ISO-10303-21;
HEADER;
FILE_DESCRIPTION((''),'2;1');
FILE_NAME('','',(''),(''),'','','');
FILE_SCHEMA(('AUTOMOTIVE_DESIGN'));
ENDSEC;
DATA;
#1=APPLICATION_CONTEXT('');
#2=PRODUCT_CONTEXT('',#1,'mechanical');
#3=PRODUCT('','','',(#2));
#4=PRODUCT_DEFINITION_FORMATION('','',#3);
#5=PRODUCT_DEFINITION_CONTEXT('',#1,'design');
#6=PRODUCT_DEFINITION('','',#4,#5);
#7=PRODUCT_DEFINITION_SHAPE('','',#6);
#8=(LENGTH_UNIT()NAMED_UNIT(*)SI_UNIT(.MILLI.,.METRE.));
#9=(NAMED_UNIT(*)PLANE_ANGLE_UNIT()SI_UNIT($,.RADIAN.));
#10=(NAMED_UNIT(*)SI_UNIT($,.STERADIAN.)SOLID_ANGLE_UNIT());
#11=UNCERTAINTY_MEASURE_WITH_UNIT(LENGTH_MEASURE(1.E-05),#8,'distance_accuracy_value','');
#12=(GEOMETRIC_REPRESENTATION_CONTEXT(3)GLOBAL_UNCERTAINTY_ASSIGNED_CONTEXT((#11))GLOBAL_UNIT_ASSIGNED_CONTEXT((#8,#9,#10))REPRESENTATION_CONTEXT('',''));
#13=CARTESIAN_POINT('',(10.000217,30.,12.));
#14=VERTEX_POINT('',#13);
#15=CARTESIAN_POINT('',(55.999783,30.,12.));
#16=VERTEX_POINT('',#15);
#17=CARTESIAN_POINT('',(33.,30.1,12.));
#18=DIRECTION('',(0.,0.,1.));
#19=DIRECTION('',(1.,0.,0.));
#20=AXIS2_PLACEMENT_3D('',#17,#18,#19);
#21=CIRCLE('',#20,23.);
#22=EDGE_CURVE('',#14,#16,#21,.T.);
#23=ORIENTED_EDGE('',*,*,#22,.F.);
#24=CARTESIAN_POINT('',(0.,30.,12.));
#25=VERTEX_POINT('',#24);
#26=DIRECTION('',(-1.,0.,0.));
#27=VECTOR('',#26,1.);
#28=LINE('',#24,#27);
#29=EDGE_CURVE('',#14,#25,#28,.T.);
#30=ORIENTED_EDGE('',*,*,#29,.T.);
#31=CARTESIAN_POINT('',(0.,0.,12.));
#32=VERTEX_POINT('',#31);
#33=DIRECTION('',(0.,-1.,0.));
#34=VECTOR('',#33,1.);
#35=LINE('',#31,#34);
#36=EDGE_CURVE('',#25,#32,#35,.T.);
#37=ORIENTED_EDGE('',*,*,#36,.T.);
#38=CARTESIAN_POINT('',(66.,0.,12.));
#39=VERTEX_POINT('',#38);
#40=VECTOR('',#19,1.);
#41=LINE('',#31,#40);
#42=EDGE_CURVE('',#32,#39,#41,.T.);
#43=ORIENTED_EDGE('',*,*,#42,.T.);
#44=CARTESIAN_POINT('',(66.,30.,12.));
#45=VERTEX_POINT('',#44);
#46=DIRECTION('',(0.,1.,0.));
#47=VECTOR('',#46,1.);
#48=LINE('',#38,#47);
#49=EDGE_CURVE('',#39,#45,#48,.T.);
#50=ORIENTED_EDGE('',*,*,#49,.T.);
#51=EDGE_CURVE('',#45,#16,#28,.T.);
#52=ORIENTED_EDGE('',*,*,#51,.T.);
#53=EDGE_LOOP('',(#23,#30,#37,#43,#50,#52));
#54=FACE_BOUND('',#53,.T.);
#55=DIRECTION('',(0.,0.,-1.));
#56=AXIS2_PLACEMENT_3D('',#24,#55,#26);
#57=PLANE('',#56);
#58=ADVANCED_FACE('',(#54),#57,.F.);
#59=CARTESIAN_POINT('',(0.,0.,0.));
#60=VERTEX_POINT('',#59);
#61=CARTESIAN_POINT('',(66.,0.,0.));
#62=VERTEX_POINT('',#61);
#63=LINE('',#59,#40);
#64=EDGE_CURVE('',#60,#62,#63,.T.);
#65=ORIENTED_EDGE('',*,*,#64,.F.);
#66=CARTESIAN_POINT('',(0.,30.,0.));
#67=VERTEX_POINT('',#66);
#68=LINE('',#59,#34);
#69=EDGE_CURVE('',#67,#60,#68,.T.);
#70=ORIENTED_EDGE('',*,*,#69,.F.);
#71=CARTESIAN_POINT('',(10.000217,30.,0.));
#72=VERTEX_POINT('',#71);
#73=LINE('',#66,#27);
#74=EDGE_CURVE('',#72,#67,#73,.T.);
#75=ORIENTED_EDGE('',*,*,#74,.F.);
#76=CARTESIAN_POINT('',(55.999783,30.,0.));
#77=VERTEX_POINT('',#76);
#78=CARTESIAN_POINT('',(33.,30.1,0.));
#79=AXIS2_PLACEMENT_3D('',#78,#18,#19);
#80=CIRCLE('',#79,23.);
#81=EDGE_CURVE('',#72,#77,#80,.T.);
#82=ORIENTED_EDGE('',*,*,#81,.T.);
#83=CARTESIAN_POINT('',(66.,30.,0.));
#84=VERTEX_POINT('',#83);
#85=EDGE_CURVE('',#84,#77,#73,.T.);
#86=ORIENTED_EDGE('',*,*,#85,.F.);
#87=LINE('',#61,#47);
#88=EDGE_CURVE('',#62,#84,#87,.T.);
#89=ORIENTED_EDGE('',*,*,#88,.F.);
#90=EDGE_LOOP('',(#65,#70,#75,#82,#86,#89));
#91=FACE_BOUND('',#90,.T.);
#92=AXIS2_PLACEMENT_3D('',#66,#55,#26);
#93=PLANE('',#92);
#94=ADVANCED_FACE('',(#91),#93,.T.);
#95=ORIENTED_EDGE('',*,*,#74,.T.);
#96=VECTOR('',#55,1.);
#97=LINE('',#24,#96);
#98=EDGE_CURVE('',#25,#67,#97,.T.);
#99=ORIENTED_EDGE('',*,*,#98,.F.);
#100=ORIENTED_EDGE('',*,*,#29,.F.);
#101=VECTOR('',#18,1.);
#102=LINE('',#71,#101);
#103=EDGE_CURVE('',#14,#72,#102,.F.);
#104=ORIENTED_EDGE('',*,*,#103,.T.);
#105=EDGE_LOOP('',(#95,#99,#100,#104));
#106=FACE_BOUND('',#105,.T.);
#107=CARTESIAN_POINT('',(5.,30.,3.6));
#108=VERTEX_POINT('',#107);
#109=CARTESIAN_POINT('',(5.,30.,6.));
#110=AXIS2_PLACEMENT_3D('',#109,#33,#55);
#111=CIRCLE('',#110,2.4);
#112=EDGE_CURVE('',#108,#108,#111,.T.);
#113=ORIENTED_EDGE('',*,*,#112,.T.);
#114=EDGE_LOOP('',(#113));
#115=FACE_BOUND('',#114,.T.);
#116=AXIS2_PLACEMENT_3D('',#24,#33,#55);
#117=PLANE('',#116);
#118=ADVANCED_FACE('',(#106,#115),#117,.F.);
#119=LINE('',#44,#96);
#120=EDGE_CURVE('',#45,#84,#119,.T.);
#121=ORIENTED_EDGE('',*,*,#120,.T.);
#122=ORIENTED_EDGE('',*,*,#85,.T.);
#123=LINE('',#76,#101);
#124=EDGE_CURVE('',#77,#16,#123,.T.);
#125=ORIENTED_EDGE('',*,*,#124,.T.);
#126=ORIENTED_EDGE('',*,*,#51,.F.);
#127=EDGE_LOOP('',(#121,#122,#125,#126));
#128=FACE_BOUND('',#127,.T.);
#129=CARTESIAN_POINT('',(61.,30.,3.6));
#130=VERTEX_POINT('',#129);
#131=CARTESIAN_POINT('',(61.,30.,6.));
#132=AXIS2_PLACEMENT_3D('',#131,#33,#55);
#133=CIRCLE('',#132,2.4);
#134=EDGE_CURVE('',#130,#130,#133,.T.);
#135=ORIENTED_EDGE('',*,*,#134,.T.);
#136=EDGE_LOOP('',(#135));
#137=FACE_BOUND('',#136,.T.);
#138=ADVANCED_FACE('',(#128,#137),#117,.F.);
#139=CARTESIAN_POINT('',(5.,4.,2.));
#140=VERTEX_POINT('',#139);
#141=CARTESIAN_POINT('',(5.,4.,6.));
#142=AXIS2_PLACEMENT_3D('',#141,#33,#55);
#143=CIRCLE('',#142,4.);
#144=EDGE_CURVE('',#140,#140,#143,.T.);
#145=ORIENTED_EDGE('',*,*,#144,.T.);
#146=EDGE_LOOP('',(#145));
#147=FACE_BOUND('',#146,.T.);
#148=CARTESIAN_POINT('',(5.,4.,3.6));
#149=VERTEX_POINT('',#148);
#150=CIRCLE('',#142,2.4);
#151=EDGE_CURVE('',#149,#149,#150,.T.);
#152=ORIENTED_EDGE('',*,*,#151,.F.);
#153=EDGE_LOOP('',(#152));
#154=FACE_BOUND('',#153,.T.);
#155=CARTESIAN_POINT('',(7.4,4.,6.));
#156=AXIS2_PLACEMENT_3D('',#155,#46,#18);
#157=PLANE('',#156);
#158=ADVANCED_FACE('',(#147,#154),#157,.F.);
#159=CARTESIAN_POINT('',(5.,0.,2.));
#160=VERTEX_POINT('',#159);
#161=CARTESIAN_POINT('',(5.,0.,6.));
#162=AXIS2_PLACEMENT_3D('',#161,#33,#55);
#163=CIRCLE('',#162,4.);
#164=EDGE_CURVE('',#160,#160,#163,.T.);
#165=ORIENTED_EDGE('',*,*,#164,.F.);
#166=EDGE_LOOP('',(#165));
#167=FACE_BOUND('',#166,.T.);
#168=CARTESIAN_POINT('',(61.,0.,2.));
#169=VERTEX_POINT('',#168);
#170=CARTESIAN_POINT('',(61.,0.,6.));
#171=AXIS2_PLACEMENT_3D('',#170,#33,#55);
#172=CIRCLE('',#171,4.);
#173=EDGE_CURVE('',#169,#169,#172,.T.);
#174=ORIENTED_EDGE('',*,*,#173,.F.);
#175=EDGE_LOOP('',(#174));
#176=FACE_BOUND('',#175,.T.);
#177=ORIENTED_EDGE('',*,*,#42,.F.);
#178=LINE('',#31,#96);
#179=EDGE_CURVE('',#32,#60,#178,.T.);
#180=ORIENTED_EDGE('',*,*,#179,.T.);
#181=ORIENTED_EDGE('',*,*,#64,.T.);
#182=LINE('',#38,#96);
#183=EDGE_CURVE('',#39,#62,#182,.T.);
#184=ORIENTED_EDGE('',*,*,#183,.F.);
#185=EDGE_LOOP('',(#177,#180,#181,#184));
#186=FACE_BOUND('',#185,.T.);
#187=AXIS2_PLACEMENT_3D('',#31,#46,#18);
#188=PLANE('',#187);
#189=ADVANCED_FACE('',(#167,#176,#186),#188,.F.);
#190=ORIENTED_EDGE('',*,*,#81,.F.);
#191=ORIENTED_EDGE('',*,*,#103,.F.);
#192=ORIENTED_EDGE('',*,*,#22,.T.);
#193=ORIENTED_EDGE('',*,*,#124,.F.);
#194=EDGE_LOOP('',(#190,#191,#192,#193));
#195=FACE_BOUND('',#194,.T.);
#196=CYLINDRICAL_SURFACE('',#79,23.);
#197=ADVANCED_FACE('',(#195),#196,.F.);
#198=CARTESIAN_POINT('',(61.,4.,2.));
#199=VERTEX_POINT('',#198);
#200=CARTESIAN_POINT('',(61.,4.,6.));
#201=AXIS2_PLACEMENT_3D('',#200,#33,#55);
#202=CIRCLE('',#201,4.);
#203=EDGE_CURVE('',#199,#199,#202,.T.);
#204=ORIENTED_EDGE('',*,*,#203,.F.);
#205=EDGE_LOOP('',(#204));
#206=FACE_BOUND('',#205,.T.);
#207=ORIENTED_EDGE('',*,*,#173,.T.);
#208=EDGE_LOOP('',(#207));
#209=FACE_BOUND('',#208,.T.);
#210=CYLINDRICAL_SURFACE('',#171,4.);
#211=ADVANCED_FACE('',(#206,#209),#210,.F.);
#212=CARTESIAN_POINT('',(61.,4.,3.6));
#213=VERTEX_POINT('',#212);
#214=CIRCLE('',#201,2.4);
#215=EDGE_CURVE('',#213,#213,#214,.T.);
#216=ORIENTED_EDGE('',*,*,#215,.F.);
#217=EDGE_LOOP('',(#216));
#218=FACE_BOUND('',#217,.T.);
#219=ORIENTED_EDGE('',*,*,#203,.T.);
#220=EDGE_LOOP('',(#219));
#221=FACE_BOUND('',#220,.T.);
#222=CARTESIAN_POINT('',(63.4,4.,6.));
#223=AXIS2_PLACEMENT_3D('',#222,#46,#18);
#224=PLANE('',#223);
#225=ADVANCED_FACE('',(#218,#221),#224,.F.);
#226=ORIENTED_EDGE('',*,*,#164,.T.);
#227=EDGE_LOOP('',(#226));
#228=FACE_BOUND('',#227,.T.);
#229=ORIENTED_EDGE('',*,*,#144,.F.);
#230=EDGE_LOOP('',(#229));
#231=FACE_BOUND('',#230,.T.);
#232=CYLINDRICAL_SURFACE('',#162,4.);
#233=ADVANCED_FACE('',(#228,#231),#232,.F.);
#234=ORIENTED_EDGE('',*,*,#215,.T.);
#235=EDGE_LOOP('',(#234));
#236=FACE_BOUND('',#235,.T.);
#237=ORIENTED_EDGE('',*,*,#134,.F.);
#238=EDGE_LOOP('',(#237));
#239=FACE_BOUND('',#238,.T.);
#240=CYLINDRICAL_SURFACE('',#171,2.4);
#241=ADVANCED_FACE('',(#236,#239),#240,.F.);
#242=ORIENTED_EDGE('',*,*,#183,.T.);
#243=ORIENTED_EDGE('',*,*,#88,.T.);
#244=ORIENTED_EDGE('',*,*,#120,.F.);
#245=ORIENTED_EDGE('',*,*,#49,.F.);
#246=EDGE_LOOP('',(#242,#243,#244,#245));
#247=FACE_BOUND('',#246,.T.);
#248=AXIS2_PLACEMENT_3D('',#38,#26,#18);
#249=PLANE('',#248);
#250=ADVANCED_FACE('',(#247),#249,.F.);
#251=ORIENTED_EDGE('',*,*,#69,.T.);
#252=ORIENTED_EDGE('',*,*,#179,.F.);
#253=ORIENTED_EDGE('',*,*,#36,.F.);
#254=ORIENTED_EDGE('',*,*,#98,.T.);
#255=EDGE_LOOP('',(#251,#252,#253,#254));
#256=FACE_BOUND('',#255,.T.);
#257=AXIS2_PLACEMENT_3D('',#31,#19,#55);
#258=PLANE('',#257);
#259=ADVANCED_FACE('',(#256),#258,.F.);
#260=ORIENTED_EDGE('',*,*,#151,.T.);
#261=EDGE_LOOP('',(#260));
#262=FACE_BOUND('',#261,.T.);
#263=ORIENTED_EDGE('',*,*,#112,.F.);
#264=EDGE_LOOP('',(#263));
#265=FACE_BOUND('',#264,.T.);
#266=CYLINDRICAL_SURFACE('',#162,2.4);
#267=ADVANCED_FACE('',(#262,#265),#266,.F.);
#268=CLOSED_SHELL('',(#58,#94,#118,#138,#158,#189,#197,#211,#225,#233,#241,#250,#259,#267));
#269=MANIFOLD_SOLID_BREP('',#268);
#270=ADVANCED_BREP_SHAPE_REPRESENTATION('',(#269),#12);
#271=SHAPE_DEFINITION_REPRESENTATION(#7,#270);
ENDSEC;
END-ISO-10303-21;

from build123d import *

# Parameters (mm, degrees)
SKETCH_1_W                   = 66
SKETCH_1_H                   = 30
EXTRUDE_1_DEPTH              = 12
SKETCH_2_R                   = 23
CUT_EXTRUDE_1_DEPTH          = 74.484692283
HOLE_WIZARD_M4_1_D           = 4.8
HOLE_WIZARD_M4_1_CBORE_D     = 8
HOLE_WIZARD_M4_1_CBORE_DEPTH = 4


with BuildPart() as part:
    # 草图1 → 凸台-拉伸1 (new body)
    with BuildSketch(Plane.XY):
        with Locations((33, 15)):
            Rectangle(SKETCH_1_W, SKETCH_1_H)
    extrude(amount=EXTRUDE_1_DEPTH)

    # 草图2 → 切除-拉伸1 (cut, through all)
    with BuildSketch(Plane.XY.offset(12)):
        with Locations((33, 30.1)):
            Circle(SKETCH_2_R)
    extrude(amount=-CUT_EXTRUDE_1_DEPTH, mode=Mode.SUBTRACT)

    # M4 六角凹头螺钉的柱形沉头孔1 (through all)
    with Locations(Plane.XZ):
        with Locations((61, 6), (5, 6)):
            CounterBoreHole(HOLE_WIZARD_M4_1_D / 2, HOLE_WIZARD_M4_1_CBORE_D / 2, HOLE_WIZARD_M4_1_CBORE_DEPTH)


solid = part.part
